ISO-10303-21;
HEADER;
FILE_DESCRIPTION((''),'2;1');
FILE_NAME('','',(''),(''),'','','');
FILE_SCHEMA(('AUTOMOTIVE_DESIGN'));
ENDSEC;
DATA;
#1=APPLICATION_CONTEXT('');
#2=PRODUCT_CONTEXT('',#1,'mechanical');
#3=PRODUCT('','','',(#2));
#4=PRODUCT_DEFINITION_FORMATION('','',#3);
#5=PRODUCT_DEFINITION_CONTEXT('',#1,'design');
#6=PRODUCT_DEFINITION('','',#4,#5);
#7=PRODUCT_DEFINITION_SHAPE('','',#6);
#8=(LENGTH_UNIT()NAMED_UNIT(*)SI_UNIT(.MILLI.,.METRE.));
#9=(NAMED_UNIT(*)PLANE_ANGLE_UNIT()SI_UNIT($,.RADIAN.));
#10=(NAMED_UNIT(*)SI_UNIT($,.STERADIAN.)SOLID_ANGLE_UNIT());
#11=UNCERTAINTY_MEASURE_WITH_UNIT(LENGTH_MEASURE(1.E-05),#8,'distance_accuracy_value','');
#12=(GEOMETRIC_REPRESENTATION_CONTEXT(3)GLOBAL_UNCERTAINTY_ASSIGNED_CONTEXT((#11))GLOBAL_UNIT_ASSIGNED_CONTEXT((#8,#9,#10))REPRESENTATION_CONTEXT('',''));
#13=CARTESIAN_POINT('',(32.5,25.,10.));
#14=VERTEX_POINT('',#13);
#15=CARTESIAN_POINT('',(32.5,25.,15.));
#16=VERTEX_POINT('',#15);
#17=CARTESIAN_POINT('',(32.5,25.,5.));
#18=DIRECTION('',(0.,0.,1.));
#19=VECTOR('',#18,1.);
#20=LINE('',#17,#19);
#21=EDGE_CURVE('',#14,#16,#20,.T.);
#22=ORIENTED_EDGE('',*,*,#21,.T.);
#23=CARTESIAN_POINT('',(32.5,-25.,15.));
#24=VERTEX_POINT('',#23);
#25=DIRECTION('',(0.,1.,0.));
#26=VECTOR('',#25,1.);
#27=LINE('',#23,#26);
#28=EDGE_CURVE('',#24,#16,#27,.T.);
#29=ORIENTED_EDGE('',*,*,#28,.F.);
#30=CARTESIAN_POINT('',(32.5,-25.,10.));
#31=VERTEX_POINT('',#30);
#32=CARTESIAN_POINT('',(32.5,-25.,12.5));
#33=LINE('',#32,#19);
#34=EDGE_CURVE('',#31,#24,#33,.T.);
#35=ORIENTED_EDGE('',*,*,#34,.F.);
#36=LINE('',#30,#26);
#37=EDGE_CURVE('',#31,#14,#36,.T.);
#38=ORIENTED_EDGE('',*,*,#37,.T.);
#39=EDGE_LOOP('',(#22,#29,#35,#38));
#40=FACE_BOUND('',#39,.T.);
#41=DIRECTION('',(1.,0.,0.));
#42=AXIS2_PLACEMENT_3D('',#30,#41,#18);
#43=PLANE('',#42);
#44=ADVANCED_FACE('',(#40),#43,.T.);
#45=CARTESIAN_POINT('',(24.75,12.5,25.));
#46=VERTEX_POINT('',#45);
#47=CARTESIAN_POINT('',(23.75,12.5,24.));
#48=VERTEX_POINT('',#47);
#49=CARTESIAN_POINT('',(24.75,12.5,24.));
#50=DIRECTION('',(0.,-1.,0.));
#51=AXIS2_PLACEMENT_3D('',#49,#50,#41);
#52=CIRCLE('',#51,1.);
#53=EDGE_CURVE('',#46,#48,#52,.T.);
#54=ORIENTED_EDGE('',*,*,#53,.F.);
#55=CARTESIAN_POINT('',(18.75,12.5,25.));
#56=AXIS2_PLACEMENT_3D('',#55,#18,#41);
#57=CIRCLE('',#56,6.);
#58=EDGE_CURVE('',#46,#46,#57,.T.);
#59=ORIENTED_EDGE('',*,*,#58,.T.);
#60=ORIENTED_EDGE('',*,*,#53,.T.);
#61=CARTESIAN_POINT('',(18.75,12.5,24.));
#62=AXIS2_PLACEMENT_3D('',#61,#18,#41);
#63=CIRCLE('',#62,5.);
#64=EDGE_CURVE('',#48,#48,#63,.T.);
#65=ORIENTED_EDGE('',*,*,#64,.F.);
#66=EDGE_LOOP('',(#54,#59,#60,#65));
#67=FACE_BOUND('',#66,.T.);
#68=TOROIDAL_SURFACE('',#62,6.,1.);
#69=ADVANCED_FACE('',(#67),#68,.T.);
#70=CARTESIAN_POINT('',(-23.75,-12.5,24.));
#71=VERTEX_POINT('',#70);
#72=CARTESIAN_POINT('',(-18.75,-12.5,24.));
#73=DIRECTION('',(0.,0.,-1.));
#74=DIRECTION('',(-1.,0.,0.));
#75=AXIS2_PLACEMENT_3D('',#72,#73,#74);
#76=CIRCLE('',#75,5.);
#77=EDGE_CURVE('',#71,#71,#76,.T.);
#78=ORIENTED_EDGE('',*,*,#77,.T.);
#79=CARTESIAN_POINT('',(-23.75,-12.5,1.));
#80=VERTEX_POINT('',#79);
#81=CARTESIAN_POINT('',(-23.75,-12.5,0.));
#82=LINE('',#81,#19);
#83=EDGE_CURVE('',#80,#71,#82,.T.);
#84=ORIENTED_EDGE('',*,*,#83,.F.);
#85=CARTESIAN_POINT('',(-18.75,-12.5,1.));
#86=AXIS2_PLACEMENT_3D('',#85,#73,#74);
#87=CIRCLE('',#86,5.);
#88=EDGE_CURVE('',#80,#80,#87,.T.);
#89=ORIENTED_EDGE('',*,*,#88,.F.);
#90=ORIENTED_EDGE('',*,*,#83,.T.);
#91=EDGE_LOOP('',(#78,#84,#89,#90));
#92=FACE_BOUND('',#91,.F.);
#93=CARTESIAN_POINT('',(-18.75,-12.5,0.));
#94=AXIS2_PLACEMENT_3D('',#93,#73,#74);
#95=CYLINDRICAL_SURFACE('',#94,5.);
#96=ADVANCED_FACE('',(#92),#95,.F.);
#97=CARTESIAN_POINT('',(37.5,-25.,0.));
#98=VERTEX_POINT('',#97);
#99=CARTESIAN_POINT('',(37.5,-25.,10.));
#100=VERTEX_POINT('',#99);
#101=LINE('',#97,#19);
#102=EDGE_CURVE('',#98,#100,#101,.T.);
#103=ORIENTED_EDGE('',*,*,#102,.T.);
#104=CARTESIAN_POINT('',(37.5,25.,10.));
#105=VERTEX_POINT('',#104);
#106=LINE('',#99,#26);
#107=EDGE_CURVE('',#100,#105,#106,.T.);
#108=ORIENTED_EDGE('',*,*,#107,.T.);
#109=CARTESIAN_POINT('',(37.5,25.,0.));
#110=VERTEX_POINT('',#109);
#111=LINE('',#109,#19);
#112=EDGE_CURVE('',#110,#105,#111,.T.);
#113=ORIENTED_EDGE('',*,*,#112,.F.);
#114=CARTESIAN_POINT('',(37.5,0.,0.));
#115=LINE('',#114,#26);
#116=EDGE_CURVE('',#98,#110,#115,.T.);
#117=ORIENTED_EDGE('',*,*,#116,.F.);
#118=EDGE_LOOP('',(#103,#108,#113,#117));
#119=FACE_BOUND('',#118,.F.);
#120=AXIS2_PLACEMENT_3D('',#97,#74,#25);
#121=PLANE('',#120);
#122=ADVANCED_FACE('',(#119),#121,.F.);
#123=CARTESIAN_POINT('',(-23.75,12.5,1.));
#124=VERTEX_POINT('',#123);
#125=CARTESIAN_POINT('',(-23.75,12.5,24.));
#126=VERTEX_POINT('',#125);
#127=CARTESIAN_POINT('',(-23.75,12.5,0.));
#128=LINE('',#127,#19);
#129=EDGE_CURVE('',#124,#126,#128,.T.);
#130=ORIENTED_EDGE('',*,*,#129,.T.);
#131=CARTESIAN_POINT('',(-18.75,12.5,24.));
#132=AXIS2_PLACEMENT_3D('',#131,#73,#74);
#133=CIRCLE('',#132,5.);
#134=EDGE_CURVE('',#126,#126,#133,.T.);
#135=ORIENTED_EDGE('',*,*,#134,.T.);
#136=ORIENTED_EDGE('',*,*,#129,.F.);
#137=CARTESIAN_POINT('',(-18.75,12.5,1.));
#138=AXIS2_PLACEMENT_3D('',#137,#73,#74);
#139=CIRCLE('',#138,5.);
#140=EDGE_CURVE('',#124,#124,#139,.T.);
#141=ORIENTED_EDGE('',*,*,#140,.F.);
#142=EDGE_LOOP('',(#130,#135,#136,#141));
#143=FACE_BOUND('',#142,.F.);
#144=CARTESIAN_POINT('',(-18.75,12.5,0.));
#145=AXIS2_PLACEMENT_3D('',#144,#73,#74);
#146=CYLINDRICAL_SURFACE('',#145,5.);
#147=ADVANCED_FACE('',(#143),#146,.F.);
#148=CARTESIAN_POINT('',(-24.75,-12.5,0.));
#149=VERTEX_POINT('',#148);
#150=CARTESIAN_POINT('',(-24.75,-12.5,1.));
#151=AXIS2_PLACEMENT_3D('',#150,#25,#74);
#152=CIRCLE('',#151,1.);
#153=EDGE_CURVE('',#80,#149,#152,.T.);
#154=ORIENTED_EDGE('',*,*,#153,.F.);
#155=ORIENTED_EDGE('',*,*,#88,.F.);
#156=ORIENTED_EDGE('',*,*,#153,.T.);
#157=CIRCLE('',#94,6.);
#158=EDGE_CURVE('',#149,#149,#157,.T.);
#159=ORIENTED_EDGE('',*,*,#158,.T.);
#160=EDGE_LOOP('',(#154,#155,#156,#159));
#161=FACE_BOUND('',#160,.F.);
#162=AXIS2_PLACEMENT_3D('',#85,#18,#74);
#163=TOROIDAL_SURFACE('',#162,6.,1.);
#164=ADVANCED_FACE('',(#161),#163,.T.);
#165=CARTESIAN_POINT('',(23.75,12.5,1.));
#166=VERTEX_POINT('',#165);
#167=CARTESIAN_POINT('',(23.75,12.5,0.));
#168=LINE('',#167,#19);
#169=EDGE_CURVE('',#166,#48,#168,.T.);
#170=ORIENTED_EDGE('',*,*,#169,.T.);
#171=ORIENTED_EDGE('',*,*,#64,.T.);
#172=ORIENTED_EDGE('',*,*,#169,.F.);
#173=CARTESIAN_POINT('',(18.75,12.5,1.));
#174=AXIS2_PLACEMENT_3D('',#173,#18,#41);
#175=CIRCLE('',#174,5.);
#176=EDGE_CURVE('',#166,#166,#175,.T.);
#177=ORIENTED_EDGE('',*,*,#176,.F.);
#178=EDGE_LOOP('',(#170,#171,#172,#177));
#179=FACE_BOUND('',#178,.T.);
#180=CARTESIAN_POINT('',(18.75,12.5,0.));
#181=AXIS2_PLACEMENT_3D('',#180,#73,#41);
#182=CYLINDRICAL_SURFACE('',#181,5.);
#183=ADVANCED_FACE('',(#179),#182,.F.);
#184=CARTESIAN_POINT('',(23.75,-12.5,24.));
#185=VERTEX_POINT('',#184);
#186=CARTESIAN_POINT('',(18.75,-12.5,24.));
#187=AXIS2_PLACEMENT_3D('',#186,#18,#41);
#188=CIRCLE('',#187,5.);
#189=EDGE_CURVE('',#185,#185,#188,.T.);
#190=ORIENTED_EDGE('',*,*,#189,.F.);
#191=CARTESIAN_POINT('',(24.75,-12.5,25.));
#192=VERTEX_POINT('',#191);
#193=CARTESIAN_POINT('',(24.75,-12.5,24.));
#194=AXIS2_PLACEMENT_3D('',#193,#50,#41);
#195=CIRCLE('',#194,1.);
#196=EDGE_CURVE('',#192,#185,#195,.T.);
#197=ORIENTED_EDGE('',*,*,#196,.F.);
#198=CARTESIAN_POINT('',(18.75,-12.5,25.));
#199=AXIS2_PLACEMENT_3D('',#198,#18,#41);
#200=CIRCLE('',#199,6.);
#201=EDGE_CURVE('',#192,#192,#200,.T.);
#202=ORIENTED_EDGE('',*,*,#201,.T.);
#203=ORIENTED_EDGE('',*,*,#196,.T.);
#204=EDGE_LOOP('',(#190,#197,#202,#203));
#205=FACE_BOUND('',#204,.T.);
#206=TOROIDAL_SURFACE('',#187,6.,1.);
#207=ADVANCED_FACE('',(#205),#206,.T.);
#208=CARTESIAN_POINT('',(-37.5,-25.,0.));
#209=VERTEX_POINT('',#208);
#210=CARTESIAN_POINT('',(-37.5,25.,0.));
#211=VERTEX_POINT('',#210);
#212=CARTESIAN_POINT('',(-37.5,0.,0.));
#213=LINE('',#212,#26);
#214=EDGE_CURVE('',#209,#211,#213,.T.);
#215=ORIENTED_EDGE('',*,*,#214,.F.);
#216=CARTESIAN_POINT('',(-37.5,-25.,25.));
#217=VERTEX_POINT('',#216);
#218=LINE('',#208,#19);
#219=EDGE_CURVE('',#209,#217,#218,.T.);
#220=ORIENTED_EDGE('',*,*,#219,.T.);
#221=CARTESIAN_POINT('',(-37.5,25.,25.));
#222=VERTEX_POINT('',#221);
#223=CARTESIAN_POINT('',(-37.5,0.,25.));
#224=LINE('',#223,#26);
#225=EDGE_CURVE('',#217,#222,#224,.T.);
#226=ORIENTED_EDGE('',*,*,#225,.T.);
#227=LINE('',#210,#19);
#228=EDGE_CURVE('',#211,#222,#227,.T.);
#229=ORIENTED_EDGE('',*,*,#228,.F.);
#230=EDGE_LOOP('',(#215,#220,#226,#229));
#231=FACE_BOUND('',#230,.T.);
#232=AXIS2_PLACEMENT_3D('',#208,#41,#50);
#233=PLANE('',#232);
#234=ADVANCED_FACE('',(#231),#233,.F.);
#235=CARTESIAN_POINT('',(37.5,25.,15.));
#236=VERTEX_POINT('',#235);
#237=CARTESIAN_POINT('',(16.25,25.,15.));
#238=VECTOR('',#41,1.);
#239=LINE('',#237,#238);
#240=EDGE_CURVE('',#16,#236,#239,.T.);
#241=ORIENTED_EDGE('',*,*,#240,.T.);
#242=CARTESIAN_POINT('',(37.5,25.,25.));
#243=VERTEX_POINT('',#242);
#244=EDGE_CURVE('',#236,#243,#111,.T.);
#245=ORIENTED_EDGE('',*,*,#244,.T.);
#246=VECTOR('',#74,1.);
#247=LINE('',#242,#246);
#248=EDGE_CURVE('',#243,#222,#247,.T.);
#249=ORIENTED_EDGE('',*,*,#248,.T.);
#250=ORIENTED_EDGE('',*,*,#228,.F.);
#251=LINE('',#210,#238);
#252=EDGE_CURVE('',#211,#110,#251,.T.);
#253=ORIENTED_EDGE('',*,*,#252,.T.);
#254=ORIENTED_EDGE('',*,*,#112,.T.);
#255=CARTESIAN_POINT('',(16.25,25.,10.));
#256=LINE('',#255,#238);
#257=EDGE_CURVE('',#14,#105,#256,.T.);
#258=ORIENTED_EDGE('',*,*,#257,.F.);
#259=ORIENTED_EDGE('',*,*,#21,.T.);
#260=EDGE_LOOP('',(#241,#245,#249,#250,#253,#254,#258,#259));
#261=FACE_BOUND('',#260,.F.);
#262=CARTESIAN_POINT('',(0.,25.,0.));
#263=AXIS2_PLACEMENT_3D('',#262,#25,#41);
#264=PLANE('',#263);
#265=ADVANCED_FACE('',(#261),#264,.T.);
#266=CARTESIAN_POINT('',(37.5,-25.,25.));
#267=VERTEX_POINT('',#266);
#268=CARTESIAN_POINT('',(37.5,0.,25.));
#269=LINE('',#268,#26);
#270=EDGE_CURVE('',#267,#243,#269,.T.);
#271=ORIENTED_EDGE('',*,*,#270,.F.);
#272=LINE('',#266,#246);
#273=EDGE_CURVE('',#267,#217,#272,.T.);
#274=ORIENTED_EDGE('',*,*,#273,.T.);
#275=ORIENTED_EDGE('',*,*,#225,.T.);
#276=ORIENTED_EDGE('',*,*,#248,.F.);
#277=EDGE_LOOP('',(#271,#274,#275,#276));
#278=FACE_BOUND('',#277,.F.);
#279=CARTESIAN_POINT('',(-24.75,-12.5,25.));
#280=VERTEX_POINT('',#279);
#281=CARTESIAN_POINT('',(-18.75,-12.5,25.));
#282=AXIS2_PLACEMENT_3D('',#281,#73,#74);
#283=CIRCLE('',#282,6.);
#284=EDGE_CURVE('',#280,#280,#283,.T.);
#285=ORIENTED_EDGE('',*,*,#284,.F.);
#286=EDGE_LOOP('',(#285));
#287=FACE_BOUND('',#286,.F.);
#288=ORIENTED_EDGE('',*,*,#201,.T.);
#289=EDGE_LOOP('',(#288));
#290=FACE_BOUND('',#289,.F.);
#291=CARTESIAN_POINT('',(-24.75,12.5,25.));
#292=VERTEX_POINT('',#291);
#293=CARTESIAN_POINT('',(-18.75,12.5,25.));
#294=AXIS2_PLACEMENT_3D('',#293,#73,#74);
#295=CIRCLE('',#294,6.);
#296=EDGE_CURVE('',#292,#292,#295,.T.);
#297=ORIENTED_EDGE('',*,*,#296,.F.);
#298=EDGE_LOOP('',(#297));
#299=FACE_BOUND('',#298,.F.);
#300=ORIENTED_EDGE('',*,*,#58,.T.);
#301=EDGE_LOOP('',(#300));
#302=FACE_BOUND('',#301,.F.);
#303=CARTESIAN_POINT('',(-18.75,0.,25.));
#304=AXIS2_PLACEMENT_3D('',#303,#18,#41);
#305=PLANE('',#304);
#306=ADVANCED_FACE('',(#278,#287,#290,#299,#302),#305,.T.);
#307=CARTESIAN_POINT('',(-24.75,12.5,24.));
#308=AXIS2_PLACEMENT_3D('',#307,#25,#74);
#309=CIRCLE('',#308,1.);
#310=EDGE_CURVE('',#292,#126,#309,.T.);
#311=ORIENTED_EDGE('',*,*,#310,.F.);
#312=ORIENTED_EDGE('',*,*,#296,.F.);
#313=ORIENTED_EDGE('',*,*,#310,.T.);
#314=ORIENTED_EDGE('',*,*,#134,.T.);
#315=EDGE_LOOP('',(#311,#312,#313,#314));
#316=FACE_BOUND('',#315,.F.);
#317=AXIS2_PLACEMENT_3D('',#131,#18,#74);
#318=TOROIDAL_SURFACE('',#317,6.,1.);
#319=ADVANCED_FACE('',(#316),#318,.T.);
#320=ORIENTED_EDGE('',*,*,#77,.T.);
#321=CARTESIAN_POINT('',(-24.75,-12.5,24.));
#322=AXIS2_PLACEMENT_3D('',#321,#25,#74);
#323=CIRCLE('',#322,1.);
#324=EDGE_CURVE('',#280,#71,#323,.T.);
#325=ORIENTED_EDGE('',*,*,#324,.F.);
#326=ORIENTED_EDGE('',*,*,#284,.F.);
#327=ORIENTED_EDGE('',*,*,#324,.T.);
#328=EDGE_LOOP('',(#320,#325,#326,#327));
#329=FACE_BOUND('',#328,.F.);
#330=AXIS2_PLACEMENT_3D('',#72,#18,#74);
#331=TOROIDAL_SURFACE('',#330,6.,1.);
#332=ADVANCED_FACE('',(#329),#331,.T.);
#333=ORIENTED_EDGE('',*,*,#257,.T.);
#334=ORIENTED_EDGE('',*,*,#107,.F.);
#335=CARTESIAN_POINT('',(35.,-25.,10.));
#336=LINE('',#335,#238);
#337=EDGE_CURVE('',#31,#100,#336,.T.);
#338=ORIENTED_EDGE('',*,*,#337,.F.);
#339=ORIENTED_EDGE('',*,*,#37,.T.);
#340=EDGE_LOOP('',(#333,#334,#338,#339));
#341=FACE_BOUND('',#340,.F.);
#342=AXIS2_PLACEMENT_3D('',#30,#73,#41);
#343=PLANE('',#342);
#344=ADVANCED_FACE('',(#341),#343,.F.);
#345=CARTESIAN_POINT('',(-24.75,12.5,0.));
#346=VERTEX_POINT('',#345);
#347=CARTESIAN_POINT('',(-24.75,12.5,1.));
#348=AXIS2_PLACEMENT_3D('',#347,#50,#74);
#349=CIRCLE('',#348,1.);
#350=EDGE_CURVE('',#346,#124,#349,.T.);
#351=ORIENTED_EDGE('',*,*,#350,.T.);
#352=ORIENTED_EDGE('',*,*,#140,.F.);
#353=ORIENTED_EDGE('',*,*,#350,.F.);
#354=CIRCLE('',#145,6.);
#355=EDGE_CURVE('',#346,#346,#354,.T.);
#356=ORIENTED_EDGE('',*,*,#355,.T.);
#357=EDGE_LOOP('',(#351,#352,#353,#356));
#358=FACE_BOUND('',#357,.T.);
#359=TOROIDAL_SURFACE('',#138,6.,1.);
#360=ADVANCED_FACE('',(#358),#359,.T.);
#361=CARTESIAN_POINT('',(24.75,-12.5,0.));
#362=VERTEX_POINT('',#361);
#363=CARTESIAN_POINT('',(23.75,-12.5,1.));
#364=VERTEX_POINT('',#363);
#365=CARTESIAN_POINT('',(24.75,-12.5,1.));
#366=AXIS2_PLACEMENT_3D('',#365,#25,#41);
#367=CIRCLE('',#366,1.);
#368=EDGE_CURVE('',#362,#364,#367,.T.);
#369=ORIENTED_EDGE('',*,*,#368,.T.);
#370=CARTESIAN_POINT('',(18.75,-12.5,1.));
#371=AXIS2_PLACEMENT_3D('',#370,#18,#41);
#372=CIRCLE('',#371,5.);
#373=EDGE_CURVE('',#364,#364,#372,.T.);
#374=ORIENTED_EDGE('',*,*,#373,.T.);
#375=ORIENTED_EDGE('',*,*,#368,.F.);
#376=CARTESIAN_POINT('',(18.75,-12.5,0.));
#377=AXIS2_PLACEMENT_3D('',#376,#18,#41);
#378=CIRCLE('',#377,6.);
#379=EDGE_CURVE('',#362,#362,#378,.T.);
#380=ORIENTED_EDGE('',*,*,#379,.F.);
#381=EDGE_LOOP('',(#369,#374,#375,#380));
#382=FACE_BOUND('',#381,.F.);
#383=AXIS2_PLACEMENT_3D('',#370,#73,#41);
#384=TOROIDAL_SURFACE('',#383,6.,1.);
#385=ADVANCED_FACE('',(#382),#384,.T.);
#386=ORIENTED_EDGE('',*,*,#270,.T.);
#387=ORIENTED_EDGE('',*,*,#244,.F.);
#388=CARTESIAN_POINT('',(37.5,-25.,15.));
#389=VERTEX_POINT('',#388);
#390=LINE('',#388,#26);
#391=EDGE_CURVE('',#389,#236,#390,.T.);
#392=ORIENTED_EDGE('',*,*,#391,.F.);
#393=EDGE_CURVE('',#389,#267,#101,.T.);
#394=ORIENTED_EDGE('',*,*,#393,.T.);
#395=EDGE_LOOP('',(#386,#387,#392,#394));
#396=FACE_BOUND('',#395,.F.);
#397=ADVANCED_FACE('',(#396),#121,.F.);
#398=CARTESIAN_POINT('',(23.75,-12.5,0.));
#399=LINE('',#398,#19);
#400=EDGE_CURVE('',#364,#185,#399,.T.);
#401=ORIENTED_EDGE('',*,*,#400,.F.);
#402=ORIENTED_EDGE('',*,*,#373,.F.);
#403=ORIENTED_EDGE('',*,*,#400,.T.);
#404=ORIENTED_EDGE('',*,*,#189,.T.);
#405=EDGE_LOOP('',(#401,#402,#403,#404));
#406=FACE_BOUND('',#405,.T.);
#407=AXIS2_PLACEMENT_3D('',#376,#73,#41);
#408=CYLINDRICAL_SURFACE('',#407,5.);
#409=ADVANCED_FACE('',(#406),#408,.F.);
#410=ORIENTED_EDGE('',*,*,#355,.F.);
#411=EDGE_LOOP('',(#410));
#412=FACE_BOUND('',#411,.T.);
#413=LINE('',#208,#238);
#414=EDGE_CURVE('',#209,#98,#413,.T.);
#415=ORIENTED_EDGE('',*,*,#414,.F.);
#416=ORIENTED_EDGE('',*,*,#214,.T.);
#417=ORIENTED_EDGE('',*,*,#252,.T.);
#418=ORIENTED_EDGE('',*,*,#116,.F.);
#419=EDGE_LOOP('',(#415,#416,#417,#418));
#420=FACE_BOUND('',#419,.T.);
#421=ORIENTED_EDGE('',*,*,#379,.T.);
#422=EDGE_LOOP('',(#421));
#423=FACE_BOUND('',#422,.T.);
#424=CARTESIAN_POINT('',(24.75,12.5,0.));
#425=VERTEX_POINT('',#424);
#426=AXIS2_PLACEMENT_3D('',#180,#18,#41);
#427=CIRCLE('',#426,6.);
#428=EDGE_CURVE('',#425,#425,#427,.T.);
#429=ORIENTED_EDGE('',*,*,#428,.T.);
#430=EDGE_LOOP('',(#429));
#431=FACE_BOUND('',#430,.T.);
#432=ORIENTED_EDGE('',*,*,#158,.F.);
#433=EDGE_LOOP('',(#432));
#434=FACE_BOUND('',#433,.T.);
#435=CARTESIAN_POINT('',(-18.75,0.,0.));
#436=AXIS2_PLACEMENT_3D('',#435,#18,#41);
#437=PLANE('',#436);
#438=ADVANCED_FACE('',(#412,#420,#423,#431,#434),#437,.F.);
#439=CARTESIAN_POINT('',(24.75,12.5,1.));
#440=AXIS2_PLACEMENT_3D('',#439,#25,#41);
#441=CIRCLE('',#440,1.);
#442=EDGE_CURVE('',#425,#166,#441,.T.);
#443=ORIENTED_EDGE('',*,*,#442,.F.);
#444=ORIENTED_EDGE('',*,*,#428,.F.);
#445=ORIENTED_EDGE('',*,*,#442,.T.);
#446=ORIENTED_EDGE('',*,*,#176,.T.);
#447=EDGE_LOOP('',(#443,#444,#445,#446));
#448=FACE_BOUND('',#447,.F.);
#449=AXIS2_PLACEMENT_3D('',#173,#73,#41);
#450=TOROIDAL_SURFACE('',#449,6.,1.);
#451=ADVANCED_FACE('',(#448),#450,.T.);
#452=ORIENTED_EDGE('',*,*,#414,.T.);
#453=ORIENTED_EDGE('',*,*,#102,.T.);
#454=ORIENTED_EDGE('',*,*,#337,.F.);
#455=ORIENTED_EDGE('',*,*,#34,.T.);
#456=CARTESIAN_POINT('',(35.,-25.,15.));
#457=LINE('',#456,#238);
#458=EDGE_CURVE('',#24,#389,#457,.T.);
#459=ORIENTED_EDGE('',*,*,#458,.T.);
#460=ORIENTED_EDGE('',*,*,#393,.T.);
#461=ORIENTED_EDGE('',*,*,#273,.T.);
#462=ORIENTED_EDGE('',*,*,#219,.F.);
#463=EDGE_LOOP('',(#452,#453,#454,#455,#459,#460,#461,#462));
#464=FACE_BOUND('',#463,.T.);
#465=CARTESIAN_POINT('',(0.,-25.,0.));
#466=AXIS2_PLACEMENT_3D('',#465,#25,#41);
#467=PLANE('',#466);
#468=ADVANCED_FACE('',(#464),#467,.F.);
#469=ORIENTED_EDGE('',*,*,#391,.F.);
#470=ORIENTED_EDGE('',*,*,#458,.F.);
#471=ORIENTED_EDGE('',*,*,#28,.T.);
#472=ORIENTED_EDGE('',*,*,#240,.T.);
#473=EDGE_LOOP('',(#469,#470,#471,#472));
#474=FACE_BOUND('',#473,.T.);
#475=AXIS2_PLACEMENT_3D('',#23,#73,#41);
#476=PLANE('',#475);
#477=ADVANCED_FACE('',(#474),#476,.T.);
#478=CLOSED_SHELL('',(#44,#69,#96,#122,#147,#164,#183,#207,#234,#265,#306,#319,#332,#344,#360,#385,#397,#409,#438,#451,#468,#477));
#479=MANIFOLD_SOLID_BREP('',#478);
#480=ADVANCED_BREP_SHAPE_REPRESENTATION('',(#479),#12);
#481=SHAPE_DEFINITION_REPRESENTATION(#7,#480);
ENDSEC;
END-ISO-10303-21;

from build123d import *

# Parameters (mm, degrees)
SKETCH_W     = 37.5
SKETCH_H     = 50
SKETCH_R     = 5
PAD_DEPTH    = 25
SKETCH001_W  = 5
SKETCH001_H  = 5
POCKET_DEPTH = 50.001
FILLET_R     = 1
FILLET001_R  = 1


with BuildPart() as part:
    # Sketch → Pad (new body)
    with BuildSketch(Plane.XY):
        with Locations((18.75, 0)):
            Rectangle(SKETCH_W, SKETCH_H)
        with Locations((18.75, 12.5)):
            Circle(SKETCH_R, mode=Mode.SUBTRACT)
        with Locations((18.75, -12.5)):
            Circle(SKETCH_R, mode=Mode.SUBTRACT)
    pad = extrude(amount=PAD_DEPTH)

    # Mirrored: Pad across Sketch V_Axis
    add(pad.mirror(Plane(origin=(0, 0, 0), x_dir=(0, 0, 1), z_dir=(1, 0, 0))))

    # Sketch001 (on Face3 of Mirrored) → Pocket (cut, through all)
    with BuildSketch(Plane.XZ.offset(25)):
        with Locations((35, 12.5)):
            Rectangle(SKETCH001_W, SKETCH001_H)
    extrude(amount=-POCKET_DEPTH, mode=Mode.SUBTRACT)

    # Fillet
    fillet_edges = [part.edges().sort_by_distance(p)[0] for p in [
        (-13.75, -12.5, 25),
        (-13.75, 12.5, 25),
        (13.75, 12.5, 25),
        (13.75, -12.5, 25),
    ]]
    fillet(fillet_edges, radius=FILLET_R)

    # Fillet001
    fillet001_edges = [part.edges().sort_by_distance(p)[0] for p in [
        (13.75, -12.5, 0),
        (13.75, 12.5, 0),
        (-13.75, 12.5, 0),
        (-13.75, -12.5, 0),
    ]]
    fillet(fillet001_edges, radius=FILLET001_R)


solid = part.part
